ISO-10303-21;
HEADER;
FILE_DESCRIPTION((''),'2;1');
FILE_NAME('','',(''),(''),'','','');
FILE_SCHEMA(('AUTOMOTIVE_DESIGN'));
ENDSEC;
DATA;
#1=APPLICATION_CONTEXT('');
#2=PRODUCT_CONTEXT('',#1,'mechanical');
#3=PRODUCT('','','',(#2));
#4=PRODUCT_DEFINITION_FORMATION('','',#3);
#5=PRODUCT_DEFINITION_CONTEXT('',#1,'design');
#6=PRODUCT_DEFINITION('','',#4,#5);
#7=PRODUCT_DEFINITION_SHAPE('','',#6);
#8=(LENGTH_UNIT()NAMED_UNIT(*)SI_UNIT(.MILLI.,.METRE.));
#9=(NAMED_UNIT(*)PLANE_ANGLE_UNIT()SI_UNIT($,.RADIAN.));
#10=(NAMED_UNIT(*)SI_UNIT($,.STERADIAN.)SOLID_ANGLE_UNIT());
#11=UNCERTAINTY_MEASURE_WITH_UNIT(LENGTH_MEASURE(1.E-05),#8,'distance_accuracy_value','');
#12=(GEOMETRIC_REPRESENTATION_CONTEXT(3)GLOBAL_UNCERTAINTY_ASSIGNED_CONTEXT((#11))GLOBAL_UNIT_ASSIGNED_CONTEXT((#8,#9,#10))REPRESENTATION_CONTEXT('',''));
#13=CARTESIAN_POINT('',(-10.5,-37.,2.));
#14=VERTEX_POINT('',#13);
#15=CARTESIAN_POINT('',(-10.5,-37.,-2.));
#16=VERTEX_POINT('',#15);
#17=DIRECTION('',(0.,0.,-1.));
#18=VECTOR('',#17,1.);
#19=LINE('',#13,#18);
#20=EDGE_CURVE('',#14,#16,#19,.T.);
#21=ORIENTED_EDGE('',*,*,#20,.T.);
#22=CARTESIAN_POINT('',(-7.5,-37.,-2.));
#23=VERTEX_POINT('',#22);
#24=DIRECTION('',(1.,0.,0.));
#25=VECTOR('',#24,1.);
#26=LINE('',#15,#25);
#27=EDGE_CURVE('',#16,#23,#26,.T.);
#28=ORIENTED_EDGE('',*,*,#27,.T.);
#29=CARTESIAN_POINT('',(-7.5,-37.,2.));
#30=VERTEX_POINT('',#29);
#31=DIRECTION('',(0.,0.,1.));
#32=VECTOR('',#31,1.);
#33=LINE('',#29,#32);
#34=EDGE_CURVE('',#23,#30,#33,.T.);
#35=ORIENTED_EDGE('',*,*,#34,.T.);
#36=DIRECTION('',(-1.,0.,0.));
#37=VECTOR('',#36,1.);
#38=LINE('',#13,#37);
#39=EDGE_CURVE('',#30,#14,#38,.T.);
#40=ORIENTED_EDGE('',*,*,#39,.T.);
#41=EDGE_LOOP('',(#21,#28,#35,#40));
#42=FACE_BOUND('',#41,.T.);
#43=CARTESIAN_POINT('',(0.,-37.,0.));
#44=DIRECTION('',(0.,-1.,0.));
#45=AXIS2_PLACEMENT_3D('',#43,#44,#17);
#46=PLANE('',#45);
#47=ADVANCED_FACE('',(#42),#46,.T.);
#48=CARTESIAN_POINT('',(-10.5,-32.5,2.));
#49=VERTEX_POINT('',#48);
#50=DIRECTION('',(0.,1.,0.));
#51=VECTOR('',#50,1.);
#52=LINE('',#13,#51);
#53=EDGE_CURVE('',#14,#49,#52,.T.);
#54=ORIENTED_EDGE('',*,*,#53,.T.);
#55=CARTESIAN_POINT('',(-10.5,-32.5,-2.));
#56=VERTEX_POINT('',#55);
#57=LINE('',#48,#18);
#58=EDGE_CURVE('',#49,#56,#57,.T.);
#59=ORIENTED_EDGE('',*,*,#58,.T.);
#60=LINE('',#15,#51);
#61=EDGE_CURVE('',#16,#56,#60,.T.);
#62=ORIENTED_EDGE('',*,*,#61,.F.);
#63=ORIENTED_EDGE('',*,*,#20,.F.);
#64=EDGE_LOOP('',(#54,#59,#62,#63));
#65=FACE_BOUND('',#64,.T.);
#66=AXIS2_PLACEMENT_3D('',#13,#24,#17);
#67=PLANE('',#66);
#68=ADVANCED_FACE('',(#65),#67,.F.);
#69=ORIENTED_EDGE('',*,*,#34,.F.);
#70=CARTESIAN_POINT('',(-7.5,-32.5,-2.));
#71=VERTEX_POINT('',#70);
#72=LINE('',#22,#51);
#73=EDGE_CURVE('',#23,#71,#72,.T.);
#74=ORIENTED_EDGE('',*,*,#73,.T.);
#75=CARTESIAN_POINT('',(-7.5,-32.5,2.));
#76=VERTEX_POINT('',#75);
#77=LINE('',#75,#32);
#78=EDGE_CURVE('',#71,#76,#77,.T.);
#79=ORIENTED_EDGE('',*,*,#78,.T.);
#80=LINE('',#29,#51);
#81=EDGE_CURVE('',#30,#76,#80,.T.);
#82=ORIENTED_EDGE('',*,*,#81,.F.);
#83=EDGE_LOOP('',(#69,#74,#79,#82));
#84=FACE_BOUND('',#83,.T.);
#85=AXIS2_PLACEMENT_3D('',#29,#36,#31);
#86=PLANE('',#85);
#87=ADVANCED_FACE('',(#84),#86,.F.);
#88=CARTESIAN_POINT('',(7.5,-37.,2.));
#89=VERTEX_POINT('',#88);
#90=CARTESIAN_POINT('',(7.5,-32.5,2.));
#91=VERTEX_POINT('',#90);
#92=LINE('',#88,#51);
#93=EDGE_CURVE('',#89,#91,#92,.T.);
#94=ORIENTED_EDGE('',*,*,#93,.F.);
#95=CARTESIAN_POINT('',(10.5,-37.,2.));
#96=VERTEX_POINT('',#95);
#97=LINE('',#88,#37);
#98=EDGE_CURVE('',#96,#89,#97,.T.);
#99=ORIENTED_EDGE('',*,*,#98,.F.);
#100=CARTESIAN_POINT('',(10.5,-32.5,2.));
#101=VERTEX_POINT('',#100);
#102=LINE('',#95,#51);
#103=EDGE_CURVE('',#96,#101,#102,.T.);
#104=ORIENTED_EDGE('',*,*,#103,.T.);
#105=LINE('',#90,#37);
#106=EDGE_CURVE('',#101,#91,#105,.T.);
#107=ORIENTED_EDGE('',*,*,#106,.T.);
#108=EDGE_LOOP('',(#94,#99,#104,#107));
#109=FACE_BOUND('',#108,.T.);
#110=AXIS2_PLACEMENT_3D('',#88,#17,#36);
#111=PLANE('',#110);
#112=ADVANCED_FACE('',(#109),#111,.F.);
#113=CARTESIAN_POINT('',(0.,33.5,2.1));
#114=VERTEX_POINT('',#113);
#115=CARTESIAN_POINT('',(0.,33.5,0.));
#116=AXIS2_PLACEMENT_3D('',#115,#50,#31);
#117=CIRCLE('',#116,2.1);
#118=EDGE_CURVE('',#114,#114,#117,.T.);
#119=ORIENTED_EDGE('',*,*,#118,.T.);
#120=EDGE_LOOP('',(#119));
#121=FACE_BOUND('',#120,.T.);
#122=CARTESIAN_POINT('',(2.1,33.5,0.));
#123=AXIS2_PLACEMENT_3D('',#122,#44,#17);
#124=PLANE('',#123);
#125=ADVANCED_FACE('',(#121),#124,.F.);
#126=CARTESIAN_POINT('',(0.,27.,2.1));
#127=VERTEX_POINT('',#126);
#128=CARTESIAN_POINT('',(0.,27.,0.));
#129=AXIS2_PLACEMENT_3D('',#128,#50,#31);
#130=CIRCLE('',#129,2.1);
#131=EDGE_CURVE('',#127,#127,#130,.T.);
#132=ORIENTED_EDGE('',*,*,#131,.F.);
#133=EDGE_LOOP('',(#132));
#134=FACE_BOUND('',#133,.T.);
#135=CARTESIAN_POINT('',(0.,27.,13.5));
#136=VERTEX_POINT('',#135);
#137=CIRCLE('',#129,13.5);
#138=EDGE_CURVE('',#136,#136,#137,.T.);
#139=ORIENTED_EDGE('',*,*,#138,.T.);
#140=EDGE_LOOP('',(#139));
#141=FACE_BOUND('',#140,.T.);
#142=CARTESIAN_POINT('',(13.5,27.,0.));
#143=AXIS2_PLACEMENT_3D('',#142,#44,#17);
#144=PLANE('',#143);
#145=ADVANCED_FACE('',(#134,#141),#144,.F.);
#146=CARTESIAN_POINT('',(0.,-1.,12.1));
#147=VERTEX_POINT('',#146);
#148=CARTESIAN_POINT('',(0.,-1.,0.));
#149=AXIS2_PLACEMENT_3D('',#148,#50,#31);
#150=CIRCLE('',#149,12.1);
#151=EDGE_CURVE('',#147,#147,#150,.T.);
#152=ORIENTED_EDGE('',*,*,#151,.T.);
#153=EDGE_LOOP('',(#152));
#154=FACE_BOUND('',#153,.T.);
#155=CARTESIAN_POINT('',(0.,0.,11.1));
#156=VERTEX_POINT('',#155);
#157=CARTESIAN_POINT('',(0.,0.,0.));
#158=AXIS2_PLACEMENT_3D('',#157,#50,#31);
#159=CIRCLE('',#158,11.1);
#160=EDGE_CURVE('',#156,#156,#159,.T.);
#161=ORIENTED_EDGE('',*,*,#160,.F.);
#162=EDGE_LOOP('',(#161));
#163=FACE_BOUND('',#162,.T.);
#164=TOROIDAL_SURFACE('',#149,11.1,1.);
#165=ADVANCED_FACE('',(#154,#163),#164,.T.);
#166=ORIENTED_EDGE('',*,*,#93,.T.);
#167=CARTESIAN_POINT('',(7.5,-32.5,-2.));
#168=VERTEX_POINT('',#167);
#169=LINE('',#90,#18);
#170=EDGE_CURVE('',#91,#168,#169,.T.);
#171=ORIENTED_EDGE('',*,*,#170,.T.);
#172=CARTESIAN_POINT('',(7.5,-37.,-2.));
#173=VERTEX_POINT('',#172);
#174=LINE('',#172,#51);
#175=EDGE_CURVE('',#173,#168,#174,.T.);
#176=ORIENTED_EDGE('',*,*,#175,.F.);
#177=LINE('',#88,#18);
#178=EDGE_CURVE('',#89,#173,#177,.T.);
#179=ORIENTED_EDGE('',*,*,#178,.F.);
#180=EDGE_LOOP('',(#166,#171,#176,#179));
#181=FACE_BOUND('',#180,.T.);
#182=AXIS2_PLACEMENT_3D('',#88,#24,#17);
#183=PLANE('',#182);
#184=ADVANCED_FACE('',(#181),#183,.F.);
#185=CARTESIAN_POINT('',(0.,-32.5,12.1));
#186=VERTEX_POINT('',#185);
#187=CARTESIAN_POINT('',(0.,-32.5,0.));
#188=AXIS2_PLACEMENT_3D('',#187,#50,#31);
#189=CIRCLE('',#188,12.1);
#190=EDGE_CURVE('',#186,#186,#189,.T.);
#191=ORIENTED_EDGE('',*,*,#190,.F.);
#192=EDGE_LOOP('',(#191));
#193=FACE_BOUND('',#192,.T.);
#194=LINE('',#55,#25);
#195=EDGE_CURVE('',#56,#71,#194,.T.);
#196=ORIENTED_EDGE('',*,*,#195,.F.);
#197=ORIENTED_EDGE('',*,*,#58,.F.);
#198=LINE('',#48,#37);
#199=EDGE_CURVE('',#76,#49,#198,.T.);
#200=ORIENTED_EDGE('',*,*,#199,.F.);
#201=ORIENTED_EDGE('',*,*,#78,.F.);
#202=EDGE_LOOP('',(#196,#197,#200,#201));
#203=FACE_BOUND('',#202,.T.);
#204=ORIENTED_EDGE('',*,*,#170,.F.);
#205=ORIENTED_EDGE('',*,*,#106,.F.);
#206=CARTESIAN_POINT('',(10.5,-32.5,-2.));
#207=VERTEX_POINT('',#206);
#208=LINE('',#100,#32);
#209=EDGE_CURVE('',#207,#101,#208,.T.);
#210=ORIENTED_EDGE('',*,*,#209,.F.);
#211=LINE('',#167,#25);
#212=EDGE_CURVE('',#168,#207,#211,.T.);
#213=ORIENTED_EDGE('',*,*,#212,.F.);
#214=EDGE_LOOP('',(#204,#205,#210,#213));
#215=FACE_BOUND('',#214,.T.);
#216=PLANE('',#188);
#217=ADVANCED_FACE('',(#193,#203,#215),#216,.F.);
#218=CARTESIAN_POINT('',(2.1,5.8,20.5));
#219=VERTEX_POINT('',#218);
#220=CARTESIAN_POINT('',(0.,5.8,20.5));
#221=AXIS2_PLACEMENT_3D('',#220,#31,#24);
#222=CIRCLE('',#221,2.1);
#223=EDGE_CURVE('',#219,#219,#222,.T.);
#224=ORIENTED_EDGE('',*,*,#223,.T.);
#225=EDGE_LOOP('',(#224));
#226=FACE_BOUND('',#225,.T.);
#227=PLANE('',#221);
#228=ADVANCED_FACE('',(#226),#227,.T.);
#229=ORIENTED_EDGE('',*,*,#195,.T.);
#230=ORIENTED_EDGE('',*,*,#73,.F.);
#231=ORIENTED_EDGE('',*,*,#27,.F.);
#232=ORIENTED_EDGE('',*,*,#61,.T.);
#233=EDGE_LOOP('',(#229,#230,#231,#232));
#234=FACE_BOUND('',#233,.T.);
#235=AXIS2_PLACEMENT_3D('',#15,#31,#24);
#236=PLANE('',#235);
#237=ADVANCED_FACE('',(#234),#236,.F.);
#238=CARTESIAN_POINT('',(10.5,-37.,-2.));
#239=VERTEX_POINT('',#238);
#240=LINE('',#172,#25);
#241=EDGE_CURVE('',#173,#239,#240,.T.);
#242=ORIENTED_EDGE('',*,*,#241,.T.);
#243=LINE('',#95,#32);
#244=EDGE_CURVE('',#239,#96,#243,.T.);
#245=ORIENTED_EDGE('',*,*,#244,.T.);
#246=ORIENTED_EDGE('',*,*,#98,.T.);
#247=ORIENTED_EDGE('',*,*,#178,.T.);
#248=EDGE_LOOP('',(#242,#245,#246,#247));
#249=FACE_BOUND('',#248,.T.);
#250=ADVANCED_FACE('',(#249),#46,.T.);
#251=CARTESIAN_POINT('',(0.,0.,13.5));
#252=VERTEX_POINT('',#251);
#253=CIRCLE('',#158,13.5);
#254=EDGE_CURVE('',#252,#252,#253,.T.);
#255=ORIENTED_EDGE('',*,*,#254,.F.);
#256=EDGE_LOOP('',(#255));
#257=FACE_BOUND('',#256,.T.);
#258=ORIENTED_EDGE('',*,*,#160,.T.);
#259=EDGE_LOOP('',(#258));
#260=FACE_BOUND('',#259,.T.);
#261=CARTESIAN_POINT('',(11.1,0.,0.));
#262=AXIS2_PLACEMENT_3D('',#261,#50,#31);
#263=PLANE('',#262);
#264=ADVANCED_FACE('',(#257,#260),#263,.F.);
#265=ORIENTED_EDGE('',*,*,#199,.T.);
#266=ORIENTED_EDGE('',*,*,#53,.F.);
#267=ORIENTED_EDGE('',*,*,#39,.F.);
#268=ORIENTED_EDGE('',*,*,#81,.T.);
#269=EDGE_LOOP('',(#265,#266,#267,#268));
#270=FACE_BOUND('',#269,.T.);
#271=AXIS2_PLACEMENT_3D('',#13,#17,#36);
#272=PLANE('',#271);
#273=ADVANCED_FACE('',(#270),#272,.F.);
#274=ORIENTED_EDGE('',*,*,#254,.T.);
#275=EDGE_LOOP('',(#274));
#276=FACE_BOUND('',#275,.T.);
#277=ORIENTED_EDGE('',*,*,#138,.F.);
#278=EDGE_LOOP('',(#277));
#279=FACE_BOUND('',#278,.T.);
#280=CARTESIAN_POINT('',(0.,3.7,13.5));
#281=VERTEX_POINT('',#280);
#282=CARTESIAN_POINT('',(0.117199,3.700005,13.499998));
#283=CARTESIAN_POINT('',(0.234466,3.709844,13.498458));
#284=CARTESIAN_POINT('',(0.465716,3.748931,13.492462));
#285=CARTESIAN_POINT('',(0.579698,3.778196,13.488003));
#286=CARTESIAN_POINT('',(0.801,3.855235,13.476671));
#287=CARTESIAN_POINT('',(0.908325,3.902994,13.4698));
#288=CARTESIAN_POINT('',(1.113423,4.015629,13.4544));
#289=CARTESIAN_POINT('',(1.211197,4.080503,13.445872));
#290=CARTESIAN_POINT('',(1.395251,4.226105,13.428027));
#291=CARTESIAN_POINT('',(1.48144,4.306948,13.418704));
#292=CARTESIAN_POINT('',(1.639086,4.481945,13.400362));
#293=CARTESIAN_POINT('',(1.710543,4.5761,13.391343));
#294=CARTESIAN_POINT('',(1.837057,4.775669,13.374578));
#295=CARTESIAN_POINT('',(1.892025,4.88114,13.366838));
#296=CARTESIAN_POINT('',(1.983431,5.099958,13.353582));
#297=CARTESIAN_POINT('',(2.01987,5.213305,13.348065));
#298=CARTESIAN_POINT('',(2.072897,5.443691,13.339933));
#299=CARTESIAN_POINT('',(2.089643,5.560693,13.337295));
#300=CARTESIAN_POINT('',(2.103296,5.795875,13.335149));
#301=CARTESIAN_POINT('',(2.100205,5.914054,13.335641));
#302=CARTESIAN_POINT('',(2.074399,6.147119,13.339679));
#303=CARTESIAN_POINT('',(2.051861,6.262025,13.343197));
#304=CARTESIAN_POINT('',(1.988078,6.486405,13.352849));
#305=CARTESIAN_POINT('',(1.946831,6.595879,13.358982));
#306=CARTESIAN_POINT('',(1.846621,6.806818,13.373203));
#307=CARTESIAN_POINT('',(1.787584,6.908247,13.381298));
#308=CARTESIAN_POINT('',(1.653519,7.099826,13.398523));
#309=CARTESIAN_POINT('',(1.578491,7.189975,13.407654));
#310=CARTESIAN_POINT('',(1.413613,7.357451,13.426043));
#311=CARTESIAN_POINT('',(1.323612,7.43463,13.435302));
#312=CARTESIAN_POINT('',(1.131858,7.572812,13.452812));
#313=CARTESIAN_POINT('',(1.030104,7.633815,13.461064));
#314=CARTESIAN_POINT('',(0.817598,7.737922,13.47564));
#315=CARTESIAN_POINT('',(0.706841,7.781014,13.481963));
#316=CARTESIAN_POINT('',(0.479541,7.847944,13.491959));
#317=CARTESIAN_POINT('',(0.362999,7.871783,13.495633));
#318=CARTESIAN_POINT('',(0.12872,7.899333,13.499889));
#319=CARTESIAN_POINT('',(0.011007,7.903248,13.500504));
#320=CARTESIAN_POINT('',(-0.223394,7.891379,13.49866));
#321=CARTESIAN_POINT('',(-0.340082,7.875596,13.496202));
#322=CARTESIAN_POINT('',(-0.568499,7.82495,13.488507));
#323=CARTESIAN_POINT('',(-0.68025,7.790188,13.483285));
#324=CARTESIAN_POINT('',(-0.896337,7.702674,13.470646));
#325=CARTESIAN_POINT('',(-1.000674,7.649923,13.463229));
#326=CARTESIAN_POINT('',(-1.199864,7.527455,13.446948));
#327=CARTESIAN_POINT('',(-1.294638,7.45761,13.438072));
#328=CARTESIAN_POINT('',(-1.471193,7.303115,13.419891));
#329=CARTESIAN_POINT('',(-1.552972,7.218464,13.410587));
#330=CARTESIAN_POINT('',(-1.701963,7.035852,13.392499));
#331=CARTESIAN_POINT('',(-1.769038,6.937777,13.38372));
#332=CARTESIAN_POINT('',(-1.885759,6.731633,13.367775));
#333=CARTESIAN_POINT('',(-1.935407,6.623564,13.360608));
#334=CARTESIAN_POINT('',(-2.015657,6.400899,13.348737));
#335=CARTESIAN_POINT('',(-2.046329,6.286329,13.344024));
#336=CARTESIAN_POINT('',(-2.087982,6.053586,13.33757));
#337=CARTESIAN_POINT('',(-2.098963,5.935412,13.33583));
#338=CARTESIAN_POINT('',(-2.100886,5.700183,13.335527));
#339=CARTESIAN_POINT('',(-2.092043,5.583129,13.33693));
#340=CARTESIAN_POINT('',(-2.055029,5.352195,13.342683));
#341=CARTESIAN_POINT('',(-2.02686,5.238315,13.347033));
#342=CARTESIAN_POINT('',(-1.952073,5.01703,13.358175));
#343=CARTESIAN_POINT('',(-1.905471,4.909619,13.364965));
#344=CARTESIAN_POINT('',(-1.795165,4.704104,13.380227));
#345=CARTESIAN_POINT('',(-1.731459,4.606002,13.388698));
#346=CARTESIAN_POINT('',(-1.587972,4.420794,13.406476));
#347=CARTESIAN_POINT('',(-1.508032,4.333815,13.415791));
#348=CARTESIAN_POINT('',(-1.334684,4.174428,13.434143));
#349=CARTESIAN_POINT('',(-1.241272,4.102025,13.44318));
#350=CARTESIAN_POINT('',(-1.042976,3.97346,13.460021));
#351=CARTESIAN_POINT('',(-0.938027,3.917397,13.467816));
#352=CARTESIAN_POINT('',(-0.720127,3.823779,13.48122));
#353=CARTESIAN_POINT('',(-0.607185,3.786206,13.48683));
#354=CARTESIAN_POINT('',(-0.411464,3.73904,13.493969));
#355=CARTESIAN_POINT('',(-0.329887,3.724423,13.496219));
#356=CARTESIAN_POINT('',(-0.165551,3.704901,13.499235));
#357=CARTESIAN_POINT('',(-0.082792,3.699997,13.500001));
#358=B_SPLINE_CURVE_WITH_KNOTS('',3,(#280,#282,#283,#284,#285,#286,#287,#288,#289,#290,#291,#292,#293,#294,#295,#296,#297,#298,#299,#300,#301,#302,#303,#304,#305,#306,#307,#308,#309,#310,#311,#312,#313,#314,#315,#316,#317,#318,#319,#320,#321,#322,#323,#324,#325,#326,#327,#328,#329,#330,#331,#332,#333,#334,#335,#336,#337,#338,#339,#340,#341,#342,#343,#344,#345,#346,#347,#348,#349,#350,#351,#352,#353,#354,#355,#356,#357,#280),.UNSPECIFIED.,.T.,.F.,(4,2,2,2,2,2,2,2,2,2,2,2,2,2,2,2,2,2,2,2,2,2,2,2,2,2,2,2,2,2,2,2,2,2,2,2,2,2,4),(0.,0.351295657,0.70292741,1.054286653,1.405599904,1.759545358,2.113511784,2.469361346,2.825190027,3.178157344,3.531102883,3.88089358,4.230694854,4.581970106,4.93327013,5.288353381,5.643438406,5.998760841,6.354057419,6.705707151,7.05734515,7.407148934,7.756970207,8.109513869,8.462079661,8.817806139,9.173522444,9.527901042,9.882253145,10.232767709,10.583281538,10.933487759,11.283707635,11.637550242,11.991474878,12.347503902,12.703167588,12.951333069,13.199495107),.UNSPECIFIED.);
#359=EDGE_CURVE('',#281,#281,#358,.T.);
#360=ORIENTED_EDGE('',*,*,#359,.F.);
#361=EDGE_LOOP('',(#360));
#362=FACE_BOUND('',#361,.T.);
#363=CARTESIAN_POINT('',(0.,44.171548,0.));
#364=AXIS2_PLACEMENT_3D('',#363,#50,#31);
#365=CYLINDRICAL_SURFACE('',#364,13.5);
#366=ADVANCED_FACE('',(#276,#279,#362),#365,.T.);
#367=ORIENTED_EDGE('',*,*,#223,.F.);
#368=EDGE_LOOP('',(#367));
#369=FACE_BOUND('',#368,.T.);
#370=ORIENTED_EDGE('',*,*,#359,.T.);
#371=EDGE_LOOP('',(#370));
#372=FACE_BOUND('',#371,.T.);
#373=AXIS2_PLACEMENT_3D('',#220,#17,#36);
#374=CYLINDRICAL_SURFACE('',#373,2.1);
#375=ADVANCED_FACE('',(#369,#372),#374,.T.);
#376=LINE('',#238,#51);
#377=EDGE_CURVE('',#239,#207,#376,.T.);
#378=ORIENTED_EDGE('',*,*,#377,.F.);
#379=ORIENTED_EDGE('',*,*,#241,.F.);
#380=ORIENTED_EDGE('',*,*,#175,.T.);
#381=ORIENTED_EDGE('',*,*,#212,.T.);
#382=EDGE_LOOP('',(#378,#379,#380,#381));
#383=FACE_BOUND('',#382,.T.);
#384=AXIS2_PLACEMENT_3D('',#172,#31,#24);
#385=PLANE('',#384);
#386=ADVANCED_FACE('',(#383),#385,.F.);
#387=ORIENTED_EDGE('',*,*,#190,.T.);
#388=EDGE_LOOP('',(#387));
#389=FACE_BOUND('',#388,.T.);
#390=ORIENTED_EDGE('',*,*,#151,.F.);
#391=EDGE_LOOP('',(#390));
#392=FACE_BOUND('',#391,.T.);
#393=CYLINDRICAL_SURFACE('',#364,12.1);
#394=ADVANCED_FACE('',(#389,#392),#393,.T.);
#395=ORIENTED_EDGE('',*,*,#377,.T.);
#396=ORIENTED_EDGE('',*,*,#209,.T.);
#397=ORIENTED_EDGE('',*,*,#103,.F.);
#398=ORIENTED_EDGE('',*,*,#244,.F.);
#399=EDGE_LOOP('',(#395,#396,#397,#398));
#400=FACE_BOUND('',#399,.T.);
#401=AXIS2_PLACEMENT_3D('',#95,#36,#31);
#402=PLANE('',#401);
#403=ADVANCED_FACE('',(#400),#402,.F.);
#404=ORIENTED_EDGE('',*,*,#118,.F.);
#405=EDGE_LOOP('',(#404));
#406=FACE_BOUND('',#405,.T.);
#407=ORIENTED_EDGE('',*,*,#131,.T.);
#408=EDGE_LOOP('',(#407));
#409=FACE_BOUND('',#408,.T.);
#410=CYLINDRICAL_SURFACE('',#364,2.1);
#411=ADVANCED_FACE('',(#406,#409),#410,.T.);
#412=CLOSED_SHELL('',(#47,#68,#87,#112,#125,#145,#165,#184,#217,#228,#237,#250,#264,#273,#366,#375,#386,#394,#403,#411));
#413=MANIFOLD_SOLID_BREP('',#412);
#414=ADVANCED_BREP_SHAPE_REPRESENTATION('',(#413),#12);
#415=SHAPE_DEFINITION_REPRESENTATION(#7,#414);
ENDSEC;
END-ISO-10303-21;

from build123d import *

# Parameters (mm, degrees)
ESQUISSE2_R        = 2.1
BOSS_EXTRU_1_DEPTH = 20.5
ESQUISSE3_W        = 3
ESQUISSE3_H        = 4
BOSS_EXTRU_2_DEPTH = 4.5


with BuildPart() as part:
    # Esquisse1 → Révolution1 (revolve)
    with BuildSketch(Plane.XY, mode=Mode.PRIVATE) as r_volution1_sk:
        with BuildLine():
            Line((0, 33.5), (0, -32.5))
            Line((0, -32.5), (12.1, -32.5))
            Line((12.1, -32.5), (12.1, -1))
            ThreePointArc((12.1, -1), (11.807106781, -0.292893219), (11.1, 0))
            Line((11.1, 0), (13.5, 0))
            Line((13.5, 0), (13.5, 27))
            Line((13.5, 27), (2.1, 27))
            Line((2.1, 27), (2.1, 33.5))
            Line((2.1, 33.5), (0, 33.5))
        make_face()
    revolve(r_volution1_sk.sketch.rotate(Axis((0, 44.171548117, 0), (0, -1, 0)), 90), axis=Axis((0, 44.171548117, 0), (0, -1, 0)))

    # Esquisse2 → Boss.-Extru.1 (add)
    with BuildSketch(Plane.XY):
        with Locations(Location((0, 5.8, 0), (0, 0, 90))):
            Circle(ESQUISSE2_R)
    extrude(amount=BOSS_EXTRU_1_DEPTH)

    # Esquisse3 → Boss.-Extru.2 (add)
    with BuildSketch(Plane.XZ.offset(32.5)):
        with Locations((-9, 0)):
            Rectangle(ESQUISSE3_W, ESQUISSE3_H)
        with Locations((9, 0)):
            Rectangle(ESQUISSE3_W, ESQUISSE3_H)
    extrude(amount=BOSS_EXTRU_2_DEPTH)


solid = part.part
